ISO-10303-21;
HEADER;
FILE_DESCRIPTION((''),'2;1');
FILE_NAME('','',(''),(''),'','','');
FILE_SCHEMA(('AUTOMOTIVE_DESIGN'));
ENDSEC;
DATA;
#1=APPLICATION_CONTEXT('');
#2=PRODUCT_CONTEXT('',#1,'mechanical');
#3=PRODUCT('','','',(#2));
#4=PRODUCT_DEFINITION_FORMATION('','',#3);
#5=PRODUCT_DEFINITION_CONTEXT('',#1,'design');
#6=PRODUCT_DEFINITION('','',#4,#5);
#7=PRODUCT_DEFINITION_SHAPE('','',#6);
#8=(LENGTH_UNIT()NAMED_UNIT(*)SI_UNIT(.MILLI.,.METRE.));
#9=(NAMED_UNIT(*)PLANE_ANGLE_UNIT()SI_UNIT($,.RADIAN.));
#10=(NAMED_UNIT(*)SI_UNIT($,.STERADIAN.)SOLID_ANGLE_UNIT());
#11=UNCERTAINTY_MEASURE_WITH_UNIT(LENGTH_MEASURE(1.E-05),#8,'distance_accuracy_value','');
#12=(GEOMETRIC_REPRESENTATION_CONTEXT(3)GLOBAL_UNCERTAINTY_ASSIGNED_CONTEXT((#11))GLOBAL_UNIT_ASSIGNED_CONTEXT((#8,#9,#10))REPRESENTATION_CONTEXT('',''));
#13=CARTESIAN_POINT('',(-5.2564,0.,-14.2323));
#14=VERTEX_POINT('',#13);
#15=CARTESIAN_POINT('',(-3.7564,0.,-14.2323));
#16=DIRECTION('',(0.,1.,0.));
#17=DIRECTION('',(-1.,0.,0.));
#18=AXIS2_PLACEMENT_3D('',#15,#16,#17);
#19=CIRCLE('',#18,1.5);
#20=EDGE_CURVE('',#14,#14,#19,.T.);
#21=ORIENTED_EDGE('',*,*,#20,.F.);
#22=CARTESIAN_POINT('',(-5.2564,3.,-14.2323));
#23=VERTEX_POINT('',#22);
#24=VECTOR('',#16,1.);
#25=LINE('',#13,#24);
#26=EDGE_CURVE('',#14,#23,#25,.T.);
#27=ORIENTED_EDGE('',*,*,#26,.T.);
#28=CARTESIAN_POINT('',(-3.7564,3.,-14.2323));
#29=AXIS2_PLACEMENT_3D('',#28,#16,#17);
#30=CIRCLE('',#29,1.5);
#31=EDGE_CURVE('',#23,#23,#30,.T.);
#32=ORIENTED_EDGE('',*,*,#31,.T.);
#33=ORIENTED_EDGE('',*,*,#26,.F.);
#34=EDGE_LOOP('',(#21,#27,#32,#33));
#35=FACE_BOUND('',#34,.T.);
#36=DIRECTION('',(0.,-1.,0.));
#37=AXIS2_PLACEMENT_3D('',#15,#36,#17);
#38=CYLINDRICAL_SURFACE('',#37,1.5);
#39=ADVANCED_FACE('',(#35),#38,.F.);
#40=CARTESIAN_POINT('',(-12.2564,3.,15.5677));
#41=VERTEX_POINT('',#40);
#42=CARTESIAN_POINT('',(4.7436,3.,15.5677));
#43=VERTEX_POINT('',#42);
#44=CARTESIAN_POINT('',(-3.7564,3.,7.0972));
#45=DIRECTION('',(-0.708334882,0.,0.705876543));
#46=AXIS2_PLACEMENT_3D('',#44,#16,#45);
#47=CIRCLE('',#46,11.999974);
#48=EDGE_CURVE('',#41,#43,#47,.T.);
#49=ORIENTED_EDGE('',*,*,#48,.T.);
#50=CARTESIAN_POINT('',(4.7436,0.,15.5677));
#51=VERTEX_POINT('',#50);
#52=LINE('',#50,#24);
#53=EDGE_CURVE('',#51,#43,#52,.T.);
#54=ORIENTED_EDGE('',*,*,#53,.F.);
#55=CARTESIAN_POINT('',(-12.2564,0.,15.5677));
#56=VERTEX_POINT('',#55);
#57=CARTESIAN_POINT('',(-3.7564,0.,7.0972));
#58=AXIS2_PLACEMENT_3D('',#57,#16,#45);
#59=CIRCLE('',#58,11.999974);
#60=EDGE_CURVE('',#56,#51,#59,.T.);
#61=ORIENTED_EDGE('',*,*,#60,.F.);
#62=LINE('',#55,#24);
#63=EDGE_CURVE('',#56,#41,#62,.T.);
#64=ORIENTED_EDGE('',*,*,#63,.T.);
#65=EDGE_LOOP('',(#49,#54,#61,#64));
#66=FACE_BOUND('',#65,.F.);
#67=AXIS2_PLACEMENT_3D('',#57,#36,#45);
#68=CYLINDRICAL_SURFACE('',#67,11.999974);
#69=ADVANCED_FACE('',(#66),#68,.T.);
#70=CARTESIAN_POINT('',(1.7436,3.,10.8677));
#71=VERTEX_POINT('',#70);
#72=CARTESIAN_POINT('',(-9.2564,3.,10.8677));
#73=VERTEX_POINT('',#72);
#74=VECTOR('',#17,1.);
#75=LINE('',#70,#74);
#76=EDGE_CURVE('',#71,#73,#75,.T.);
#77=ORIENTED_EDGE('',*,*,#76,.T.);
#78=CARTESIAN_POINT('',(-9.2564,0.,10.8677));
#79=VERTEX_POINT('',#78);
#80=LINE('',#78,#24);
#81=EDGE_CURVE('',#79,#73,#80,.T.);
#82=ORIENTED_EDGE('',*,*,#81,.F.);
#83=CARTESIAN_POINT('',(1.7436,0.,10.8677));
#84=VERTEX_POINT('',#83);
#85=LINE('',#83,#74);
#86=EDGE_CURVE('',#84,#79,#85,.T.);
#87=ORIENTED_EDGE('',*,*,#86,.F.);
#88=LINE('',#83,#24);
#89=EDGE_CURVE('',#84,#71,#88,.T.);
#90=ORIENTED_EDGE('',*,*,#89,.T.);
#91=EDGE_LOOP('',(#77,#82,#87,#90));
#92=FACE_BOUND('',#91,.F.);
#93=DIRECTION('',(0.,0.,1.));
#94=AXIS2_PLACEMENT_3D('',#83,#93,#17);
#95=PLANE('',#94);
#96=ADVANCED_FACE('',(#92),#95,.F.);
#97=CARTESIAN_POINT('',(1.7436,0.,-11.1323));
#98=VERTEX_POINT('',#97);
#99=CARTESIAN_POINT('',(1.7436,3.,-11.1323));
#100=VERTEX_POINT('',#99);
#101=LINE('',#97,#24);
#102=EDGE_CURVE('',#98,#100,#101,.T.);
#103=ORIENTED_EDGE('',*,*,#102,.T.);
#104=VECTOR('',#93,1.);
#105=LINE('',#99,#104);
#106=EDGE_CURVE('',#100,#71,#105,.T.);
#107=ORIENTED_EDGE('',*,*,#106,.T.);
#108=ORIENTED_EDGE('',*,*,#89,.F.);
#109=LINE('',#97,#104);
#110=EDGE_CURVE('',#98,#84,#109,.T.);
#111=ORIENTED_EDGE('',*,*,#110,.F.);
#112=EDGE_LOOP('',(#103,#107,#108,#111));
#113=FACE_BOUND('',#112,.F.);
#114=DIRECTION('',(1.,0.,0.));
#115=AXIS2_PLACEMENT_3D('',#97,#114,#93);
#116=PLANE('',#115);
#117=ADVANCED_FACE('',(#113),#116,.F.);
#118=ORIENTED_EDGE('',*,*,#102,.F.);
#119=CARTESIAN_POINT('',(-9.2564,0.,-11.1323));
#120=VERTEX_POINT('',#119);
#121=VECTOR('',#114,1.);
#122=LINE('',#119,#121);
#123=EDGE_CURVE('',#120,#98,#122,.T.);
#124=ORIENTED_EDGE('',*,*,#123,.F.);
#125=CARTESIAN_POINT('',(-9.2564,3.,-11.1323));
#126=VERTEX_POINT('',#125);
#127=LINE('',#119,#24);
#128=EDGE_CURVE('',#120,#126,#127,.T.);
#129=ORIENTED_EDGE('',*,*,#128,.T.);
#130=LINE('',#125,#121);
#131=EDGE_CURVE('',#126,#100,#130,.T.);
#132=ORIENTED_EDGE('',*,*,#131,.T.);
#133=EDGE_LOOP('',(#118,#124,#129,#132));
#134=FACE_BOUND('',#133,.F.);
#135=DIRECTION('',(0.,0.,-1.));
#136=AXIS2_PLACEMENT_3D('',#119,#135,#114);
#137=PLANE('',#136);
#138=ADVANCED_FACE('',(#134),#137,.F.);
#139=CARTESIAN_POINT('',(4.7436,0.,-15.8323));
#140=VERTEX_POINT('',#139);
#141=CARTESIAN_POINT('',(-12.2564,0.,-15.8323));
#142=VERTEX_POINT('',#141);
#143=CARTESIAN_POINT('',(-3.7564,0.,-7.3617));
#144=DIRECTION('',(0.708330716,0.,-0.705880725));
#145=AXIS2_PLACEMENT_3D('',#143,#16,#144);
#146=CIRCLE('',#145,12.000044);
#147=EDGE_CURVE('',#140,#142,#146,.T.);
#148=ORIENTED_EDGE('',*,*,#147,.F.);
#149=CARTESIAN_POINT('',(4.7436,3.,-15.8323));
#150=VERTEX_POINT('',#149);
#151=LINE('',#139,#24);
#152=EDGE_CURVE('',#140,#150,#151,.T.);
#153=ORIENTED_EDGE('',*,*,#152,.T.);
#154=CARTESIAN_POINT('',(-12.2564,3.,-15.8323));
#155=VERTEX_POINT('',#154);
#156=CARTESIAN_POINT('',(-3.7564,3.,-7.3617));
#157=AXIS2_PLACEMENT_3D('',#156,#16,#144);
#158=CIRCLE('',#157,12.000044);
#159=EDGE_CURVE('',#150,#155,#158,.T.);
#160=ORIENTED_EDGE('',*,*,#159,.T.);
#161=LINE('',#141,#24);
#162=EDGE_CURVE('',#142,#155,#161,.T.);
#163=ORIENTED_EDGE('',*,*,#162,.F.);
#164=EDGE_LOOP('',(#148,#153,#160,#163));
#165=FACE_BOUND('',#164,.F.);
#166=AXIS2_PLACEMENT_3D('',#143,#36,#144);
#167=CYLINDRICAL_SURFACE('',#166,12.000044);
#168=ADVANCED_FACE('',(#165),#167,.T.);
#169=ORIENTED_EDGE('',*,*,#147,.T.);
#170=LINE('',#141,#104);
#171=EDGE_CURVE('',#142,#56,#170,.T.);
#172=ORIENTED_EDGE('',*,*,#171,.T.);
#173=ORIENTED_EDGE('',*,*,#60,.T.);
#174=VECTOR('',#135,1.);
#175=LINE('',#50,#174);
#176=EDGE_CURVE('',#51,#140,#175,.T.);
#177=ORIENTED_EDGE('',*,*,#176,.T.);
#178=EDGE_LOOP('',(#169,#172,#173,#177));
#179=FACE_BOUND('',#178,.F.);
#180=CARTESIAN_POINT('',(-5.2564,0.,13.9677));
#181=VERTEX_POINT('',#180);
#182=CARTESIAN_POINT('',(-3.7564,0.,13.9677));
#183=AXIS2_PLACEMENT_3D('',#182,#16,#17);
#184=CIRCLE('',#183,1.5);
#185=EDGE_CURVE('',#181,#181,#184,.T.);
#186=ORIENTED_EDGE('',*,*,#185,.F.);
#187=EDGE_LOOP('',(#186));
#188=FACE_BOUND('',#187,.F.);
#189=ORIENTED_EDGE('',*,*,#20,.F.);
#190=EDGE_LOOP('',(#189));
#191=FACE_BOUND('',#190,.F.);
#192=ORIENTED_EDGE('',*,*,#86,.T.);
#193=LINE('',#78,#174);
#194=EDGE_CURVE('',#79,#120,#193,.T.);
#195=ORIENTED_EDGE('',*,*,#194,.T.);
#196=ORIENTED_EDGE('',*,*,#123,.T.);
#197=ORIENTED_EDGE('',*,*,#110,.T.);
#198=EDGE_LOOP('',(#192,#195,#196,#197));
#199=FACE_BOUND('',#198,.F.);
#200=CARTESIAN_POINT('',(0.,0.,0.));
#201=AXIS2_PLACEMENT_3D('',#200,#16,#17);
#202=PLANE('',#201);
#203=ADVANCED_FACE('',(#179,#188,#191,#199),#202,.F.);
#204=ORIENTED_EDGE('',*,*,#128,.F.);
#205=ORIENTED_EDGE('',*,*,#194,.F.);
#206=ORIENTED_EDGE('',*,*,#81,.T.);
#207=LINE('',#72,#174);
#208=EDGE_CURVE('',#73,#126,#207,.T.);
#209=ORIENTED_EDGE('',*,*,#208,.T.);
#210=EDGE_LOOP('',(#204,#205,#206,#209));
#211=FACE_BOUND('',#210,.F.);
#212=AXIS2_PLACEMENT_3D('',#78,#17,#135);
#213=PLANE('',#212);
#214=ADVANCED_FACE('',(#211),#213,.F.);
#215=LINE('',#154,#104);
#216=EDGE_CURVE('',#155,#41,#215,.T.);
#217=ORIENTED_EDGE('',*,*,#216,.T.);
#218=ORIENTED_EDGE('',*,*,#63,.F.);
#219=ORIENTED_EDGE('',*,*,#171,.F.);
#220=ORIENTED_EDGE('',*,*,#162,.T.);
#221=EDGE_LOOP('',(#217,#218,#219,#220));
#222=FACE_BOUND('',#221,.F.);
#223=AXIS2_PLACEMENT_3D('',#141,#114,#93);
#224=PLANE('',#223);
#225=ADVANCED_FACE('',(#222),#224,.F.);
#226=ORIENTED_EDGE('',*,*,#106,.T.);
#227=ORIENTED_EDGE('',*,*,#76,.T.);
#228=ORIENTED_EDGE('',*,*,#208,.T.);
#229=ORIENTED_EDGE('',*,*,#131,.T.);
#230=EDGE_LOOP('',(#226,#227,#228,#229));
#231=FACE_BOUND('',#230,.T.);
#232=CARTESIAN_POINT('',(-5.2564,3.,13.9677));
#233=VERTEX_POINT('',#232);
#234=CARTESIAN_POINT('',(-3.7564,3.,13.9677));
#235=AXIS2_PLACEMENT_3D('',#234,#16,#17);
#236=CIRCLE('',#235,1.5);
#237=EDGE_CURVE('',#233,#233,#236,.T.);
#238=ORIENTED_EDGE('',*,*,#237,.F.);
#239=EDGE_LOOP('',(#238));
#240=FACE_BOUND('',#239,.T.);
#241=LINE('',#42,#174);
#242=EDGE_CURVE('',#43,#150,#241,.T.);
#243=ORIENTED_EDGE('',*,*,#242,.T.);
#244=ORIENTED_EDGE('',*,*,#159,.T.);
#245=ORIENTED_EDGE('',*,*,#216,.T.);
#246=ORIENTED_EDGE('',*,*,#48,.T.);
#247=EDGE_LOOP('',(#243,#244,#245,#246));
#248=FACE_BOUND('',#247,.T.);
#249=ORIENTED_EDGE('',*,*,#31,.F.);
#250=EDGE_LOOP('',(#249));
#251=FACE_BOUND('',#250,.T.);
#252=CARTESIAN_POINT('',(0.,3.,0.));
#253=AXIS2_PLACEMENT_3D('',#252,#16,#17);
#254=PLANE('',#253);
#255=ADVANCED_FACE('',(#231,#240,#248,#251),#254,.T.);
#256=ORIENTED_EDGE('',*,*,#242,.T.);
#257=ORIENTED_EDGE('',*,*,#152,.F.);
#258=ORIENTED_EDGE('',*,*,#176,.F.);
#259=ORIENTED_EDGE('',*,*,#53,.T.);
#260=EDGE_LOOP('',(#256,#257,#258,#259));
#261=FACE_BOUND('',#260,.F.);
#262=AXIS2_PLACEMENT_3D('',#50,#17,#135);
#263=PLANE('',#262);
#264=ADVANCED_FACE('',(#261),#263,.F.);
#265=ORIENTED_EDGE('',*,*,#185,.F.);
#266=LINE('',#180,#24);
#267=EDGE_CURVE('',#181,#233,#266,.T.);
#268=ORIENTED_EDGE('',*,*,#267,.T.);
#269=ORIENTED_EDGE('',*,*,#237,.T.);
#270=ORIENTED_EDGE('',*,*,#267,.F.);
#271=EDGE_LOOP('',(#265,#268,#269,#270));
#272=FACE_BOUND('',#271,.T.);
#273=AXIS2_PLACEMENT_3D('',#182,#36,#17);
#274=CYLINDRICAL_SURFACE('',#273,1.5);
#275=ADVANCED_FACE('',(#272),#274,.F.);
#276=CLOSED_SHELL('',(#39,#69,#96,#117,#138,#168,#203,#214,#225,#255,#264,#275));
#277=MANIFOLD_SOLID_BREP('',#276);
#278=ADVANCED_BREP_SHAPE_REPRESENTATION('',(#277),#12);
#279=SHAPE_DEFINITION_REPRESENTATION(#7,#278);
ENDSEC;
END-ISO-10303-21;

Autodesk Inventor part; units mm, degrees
ref_plane "YZ Plane" through (0, 0, 0) normal (1, 0, 0) x (0, 1, 0)
ref_plane "XZ Plane" through (0, 0, 0) normal (0, 1, 0) x (-1, 0, 0)
ref_plane "XY Plane" through (0, 0, 0) normal (0, 0, 1) x (1, 0, 0)
sketch "Sketch1" plane through (0, 0, 0) normal (0, 1, 0) x (-1, 0, 0)
  line L0 (9.2564, 10.8677) -> (9.2564, -11.1323)
  line L1 (9.2564, -11.1323) -> (-1.7436, -11.1323)
  line L2 (-1.7436, -11.1323) -> (-1.7436, 10.8677)
  line L3 (-1.7436, 10.8677) -> (9.2564, 10.8677)
  line L4 (12.2564, -15.8323) -> (12.2564, 15.5677)
  line L5 (-4.7436, 15.5677) -> (-4.7436, -15.8323)
  arc A0 (12.2564, 15.5677) -> (-4.7436, 15.5677) centre (3.7564, 7.0972) ccw
  arc A1 (-4.7436, -15.8323) -> (12.2564, -15.8323) centre (3.7564, -7.3617) ccw
  circle A2 centre (3.7564, 13.9677) radius 1.5
  circle A3 centre (3.7564, -14.2323) radius 1.5
  point P0 (0, 0)
  dimension "d0" = 22
extrude "Extrusion1" add sketch "Sketch1" along normal blind 3
properties part number "servo Holder" material "ABS Plastic"
